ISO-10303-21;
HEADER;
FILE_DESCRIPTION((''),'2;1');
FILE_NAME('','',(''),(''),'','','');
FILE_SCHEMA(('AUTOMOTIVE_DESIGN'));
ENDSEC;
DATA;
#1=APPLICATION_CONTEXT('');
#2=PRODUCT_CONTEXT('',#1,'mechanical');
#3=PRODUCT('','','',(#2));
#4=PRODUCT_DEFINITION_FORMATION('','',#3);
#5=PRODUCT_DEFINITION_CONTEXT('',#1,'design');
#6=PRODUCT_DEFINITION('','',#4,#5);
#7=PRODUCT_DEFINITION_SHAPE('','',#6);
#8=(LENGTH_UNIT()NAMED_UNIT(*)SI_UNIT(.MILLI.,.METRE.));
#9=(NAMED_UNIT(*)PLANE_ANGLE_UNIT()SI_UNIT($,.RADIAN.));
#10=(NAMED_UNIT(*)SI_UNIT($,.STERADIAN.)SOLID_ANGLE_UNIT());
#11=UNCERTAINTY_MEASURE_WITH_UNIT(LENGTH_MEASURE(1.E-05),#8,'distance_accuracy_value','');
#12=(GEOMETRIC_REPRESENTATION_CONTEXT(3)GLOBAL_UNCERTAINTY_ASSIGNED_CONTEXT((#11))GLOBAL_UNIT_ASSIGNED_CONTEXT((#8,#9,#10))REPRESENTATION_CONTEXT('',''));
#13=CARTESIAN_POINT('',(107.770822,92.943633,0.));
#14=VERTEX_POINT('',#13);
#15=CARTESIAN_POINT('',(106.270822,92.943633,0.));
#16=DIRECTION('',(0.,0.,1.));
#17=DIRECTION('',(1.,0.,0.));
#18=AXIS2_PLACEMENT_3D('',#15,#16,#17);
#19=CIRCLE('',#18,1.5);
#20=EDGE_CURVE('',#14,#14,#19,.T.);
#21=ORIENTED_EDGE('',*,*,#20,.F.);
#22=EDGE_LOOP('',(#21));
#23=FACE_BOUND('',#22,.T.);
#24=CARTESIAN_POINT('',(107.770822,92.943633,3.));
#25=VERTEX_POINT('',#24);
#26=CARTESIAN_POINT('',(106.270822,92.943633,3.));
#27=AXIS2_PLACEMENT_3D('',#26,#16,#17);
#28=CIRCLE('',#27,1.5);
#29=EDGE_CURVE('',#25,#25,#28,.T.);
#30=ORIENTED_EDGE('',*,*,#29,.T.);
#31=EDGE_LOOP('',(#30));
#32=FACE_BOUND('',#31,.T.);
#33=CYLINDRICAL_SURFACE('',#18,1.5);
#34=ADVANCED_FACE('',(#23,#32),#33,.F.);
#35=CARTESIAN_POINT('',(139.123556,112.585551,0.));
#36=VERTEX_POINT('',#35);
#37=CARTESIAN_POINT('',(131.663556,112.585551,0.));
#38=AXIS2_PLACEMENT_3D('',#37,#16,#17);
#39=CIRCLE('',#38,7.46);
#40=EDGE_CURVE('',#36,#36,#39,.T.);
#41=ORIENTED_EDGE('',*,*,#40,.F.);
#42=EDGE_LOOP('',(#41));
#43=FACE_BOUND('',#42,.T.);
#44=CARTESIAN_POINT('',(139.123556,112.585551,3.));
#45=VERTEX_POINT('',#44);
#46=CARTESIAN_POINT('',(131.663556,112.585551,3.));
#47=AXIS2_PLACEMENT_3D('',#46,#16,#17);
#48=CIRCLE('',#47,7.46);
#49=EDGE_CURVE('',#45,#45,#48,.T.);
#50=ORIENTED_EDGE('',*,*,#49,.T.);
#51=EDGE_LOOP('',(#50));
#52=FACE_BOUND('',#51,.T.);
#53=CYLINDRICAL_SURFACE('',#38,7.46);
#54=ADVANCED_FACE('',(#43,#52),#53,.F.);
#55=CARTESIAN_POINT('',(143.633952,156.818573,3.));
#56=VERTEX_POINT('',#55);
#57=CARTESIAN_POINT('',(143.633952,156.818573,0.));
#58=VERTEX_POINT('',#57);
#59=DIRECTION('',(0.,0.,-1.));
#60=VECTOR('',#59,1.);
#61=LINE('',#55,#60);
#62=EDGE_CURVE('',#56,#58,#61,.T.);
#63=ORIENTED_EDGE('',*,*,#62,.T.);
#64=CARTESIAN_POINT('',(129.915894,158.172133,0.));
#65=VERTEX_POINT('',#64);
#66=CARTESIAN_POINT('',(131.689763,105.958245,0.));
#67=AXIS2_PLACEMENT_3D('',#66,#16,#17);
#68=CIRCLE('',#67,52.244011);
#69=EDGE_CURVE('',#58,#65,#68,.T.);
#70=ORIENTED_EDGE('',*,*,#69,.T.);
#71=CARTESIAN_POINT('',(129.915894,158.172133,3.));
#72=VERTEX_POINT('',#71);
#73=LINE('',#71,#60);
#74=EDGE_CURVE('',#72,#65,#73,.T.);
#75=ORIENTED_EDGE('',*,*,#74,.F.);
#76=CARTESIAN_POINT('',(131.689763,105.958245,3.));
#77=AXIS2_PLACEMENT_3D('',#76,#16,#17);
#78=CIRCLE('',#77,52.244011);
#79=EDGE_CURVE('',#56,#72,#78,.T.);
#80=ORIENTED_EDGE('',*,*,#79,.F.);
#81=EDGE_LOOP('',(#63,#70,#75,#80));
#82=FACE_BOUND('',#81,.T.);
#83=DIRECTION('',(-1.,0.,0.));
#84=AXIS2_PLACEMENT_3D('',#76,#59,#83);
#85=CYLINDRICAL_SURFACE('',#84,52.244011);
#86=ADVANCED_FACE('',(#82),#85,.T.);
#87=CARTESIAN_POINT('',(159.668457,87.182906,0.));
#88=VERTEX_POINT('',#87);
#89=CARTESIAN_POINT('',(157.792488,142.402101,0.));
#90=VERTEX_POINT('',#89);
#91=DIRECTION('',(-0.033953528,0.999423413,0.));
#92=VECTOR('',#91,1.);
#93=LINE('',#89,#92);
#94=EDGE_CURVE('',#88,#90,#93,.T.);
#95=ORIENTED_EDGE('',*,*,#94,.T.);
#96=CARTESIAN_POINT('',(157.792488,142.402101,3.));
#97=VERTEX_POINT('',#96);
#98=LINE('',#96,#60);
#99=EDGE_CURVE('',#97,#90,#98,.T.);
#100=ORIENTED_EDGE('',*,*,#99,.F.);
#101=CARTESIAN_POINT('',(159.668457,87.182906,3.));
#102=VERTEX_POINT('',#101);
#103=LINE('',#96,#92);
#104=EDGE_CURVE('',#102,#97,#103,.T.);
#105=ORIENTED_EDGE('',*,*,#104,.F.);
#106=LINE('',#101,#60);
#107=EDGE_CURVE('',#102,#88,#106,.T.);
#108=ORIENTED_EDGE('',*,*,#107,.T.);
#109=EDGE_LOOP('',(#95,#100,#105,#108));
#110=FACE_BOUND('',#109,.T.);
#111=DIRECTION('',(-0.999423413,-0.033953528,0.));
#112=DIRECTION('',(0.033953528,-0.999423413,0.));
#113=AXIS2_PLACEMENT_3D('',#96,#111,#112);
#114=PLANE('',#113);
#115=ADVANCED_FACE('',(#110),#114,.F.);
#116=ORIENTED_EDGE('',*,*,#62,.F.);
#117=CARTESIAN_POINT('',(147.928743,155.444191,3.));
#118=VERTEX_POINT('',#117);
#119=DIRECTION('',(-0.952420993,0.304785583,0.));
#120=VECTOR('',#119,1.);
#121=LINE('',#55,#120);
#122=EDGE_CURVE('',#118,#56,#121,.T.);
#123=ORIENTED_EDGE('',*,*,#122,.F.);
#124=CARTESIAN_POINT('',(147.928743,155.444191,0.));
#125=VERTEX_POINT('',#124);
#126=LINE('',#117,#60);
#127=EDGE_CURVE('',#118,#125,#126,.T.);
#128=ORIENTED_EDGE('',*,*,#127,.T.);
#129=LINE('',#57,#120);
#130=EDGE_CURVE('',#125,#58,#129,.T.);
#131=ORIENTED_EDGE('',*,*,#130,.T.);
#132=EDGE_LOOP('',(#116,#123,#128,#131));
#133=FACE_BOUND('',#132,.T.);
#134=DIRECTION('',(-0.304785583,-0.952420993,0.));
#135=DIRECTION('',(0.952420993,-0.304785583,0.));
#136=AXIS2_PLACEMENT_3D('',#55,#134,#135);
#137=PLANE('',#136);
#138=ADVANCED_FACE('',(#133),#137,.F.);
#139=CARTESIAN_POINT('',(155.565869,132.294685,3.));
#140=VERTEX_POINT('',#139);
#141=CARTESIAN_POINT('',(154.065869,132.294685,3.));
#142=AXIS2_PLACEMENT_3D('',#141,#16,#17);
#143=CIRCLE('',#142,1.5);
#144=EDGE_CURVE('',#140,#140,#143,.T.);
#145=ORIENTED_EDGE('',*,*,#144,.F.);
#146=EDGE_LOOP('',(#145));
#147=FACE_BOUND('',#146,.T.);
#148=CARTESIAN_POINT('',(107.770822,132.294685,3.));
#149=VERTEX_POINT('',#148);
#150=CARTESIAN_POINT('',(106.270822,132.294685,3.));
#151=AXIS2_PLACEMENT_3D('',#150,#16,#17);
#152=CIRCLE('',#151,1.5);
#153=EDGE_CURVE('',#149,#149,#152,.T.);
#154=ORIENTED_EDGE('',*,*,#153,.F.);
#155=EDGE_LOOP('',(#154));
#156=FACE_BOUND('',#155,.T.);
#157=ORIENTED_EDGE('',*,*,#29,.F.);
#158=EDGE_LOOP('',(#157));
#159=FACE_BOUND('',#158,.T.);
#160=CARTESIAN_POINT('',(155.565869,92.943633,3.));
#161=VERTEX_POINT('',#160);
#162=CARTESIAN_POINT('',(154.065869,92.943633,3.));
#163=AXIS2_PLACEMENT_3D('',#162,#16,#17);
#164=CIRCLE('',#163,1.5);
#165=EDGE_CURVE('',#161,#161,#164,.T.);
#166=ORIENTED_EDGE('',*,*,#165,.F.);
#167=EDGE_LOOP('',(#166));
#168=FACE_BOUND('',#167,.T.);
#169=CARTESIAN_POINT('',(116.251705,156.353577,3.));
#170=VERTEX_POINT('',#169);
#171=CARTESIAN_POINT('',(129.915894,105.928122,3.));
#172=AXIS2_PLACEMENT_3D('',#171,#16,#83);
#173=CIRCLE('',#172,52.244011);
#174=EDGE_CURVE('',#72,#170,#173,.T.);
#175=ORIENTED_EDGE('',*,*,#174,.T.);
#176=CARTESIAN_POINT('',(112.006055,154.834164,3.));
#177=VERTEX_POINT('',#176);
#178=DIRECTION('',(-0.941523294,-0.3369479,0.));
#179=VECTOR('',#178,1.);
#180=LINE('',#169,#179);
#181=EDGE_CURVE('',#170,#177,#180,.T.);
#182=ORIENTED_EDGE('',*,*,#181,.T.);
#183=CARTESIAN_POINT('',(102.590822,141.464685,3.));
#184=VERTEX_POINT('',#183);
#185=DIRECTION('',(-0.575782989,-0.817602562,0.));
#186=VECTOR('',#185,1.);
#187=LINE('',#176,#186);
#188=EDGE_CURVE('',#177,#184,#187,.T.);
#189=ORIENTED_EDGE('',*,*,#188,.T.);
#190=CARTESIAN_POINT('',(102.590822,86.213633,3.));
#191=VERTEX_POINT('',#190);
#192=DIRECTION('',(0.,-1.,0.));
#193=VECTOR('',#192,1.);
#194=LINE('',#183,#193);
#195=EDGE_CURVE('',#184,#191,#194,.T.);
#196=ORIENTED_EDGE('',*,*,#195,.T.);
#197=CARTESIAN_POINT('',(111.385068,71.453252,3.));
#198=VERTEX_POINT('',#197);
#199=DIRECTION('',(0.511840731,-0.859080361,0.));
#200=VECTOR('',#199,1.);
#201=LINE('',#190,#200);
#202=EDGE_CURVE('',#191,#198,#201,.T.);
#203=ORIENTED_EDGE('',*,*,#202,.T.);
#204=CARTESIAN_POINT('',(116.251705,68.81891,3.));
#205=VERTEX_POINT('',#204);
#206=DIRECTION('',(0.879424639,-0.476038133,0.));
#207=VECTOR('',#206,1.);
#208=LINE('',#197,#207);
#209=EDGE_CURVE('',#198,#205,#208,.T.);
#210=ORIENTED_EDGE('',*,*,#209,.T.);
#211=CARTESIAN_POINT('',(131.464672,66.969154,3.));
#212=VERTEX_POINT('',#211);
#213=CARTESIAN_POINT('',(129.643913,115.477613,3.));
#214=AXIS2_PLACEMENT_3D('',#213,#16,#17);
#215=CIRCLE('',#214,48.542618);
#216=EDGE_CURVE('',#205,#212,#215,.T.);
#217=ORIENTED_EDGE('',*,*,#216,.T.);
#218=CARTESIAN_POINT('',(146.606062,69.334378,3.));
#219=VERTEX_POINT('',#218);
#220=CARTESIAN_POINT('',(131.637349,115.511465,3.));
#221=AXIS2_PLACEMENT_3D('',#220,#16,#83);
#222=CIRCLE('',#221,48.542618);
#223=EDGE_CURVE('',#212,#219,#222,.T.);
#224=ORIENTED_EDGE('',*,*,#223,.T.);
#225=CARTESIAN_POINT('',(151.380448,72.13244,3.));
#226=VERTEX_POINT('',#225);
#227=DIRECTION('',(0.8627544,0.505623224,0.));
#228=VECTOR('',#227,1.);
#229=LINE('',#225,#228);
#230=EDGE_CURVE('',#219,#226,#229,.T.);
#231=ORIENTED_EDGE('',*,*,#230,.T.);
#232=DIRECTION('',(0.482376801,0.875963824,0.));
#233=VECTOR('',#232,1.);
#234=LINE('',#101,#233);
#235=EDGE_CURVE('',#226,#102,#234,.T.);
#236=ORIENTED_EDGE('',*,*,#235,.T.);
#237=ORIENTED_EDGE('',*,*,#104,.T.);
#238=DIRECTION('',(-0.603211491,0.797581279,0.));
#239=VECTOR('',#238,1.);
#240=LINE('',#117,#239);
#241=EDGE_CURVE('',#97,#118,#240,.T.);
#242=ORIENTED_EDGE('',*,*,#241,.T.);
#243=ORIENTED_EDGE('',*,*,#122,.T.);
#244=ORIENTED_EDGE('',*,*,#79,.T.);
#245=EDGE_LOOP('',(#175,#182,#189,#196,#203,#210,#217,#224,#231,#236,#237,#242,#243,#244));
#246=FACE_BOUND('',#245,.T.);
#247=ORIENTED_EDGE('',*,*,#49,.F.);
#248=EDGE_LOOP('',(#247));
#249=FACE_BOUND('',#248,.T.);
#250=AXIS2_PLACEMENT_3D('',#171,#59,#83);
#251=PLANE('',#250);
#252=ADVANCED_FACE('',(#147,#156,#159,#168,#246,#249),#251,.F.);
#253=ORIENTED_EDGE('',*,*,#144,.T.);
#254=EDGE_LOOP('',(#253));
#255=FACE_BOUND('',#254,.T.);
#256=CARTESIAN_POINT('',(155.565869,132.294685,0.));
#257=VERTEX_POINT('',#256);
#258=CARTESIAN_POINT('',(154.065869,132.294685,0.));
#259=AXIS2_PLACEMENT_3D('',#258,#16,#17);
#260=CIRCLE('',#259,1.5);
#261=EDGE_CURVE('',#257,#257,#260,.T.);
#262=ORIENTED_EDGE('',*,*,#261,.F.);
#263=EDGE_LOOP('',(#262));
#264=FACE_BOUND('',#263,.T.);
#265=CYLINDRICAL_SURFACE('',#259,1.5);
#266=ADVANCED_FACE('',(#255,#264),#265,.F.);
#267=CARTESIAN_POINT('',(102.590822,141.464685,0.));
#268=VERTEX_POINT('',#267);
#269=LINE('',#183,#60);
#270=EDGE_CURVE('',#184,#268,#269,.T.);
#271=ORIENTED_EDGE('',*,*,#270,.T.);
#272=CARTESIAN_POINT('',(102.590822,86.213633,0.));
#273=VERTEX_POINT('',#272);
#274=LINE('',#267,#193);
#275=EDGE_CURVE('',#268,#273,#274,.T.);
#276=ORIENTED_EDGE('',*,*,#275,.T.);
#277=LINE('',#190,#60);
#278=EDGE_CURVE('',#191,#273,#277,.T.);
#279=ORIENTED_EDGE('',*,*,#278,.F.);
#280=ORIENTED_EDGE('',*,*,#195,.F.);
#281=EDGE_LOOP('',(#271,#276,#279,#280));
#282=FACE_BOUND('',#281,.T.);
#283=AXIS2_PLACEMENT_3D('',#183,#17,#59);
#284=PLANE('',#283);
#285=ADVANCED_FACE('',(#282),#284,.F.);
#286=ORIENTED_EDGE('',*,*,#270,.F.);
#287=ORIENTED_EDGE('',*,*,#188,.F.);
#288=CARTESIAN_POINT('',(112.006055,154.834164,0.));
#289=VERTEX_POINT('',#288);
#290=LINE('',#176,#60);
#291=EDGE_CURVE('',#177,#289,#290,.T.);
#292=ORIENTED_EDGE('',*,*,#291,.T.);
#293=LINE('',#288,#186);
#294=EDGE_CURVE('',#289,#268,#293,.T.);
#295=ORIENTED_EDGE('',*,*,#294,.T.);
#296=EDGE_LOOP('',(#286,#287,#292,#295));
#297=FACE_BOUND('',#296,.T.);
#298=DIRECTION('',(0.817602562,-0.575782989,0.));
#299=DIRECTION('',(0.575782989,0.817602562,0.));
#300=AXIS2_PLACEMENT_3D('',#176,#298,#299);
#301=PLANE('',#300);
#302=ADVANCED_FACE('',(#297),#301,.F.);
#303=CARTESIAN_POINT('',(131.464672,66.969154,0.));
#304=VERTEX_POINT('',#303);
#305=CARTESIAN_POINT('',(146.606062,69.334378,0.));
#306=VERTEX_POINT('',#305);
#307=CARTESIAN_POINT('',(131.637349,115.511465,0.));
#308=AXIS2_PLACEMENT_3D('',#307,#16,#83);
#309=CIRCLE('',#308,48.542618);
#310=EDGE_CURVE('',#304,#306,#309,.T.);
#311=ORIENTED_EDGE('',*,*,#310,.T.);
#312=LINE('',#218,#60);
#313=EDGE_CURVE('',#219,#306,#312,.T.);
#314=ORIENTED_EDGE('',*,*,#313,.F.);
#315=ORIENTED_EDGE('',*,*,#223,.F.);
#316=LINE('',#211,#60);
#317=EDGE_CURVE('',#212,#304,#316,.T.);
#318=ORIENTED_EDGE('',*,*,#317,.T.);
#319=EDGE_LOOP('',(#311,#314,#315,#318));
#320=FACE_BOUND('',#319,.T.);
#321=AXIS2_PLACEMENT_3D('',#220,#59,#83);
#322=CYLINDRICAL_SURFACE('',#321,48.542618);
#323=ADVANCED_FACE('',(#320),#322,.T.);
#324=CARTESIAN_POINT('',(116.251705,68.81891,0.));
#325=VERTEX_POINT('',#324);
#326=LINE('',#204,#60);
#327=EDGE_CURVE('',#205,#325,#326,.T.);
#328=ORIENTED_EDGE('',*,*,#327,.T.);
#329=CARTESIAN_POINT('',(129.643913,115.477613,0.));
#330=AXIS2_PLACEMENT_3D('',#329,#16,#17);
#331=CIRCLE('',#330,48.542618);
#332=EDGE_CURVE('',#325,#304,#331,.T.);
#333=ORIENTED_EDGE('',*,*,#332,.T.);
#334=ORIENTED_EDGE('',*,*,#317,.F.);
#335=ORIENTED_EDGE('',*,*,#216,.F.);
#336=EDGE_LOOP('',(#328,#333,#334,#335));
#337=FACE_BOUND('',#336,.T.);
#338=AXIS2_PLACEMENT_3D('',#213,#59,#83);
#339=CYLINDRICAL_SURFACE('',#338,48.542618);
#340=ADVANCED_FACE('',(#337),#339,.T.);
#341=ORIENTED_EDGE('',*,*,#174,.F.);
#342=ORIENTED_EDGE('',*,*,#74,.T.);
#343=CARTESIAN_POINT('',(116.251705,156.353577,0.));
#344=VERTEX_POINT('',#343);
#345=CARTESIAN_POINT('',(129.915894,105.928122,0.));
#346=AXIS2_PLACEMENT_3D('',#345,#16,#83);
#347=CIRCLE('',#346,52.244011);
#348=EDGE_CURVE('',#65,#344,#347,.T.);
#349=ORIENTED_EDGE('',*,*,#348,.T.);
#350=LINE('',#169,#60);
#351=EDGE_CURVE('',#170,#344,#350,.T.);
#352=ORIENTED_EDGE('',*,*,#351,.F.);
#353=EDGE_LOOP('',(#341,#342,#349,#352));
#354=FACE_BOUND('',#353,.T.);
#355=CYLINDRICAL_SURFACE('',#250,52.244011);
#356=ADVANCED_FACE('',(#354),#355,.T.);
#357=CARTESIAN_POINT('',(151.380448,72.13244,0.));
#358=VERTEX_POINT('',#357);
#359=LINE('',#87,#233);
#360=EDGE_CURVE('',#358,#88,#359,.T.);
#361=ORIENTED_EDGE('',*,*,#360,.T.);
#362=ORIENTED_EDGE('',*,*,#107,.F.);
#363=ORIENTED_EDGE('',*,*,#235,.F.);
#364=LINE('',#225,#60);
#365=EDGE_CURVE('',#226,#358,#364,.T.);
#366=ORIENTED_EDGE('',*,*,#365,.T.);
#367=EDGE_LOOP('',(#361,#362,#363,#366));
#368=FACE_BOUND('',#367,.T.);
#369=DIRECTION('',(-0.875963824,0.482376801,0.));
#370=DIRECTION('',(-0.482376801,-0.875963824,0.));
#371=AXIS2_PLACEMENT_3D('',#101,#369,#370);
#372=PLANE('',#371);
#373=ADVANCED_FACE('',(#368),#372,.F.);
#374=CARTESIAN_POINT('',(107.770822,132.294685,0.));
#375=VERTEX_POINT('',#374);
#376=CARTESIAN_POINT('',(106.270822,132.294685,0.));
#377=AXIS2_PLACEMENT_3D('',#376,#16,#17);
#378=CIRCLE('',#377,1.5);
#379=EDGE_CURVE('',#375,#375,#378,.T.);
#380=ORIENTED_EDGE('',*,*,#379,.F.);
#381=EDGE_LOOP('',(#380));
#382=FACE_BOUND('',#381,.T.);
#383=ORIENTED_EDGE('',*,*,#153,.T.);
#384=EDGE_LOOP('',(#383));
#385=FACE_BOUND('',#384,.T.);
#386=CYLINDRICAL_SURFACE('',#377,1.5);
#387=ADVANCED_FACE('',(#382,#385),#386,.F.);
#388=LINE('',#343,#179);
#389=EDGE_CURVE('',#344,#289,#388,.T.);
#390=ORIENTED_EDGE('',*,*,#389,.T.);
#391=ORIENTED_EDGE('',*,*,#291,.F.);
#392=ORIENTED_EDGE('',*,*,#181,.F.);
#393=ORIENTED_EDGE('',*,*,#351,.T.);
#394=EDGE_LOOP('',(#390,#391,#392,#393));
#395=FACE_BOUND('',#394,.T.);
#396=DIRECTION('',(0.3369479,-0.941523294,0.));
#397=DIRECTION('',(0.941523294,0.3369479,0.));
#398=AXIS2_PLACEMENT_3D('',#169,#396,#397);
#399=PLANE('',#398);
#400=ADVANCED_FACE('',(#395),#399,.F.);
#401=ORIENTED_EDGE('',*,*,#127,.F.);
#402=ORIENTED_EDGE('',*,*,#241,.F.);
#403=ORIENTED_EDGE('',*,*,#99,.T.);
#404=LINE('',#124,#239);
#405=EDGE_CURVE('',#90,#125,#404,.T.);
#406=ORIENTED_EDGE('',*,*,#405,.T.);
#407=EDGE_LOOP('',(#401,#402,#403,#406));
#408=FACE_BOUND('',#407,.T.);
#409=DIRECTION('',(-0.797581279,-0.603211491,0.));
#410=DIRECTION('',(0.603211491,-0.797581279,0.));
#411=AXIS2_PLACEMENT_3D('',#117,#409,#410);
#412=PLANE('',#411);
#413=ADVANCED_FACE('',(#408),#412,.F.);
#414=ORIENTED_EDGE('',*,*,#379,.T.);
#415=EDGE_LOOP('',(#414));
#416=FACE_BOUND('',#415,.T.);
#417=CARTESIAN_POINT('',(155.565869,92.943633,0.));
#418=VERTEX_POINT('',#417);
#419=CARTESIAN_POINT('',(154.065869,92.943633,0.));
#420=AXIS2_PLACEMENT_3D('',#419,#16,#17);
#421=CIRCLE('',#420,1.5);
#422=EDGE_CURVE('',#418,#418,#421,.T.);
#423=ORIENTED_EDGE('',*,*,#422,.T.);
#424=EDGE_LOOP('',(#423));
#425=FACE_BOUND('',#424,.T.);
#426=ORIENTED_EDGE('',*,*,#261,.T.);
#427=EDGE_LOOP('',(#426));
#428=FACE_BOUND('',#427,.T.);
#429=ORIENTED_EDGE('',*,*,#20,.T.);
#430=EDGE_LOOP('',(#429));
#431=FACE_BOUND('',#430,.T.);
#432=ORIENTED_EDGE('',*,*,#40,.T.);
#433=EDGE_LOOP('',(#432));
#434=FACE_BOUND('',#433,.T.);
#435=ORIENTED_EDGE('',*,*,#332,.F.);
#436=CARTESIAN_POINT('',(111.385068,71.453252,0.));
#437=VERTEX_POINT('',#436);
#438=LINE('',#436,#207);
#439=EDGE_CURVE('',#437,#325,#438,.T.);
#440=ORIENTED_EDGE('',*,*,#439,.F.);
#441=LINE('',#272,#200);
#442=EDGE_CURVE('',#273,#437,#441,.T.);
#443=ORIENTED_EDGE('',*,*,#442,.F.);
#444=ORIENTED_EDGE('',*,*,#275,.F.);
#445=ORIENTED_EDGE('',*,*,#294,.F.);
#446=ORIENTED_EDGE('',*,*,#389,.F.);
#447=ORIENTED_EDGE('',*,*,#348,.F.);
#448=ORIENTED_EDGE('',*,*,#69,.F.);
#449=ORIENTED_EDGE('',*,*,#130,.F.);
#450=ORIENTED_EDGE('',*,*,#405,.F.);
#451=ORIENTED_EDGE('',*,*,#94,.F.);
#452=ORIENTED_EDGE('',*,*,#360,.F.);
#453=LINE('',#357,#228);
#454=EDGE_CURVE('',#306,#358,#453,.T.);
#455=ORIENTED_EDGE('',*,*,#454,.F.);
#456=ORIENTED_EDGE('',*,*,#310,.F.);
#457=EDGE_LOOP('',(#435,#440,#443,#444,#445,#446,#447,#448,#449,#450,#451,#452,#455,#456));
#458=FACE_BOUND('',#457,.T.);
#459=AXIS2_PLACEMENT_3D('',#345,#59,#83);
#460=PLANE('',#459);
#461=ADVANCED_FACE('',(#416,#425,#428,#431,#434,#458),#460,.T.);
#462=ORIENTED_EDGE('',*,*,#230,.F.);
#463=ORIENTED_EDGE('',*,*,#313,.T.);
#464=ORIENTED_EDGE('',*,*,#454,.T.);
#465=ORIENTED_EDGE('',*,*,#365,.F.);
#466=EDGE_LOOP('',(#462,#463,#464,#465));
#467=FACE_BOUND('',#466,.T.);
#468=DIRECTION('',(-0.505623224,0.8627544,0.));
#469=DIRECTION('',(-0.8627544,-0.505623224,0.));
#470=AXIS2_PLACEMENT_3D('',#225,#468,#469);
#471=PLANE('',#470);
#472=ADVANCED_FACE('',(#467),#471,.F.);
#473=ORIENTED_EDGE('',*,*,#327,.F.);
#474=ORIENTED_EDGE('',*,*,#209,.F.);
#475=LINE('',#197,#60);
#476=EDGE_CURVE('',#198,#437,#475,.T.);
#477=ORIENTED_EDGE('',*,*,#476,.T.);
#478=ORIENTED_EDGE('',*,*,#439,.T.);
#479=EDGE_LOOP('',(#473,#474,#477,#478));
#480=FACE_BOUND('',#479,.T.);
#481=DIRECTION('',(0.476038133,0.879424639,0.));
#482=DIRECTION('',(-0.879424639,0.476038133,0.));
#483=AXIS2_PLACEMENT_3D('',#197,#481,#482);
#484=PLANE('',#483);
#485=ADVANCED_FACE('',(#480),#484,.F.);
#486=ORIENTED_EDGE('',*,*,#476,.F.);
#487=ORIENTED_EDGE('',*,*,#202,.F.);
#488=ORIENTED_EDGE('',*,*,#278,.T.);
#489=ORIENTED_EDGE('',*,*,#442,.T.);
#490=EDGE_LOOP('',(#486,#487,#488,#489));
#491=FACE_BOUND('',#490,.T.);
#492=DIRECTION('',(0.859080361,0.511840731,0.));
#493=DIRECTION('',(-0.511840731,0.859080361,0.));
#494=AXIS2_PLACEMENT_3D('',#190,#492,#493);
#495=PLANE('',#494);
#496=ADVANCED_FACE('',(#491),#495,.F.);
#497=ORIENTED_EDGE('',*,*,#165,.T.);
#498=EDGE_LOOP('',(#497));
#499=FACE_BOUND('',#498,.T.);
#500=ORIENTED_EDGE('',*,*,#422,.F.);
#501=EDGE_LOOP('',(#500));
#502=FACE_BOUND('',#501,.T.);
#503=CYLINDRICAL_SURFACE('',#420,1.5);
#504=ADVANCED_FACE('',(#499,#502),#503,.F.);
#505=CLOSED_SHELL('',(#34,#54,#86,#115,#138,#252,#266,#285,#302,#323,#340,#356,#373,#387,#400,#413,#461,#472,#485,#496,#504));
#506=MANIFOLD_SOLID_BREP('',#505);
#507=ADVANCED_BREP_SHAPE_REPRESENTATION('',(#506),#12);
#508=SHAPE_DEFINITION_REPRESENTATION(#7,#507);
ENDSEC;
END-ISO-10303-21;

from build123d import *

# Parameters (mm, degrees)
BOSS_EXTRUDE2_DEPTH = 3
SKETCH3_R           = 1.5
SKETCH3_R_2         = 7.46
CUT_EXTRUDE1_DEPTH  = 3


with BuildPart() as part:
    # Sketch2 → Boss-Extrude2 (new body)
    with BuildSketch(Plane.XY):
        with BuildLine():
            Line((116.251704746, 156.353577499), (112.006054704, 154.834164358))
            Line((112.006054704, 154.834164358), (102.590821765, 141.464685362))
            Line((102.590821765, 141.464685362), (102.590821765, 86.213632981))
            Line((102.590821765, 86.213632981), (111.385068158, 71.453251655))
            Line((111.385068158, 71.453251655), (116.251704746, 68.818910417))
            ThreePointArc((116.251704746, 68.818910417), (123.784731531, 67.289899242), (131.464672299, 66.969153974))
            ThreePointArc((131.464672299, 66.969153974), (139.129294477, 67.550475385), (146.606062492, 69.334377784))
            Line((146.606062492, 69.334377784), (151.380447861, 72.132439574))
            Line((151.380447861, 72.132439574), (159.66845659, 87.18290594))
            Line((159.66845659, 87.18290594), (157.79248846, 142.402101269))
            Line((157.79248846, 142.402101269), (147.928743251, 155.444191223))
            Line((147.928743251, 155.444191223), (143.63395176, 156.818573493))
            ThreePointArc((143.63395176, 156.818573493), (136.819761385, 157.949780649), (129.915894372, 158.172132571))
            ThreePointArc((129.915894372, 158.172132571), (123.023557673, 157.715498216), (116.251704746, 156.353577499))
        make_face()
    extrude(amount=BOSS_EXTRUDE2_DEPTH)

    # Sketch3 → Cut-Extrude1 (cut)
    with BuildSketch(Plane.XY.offset(3)):
        with Locations((106.270821765, 132.294685362)):
            Circle(SKETCH3_R)
        with Locations((106.270821765, 92.943632981)):
            Circle(SKETCH3_R)
        with Locations((154.065868873, 132.294685362)):
            Circle(SKETCH3_R)
        with Locations((154.065868873, 92.943632981)):
            Circle(SKETCH3_R)
        with Locations((131.66355574, 112.585551326)):
            Circle(SKETCH3_R_2)
    extrude(amount=-CUT_EXTRUDE1_DEPTH, mode=Mode.SUBTRACT)


solid = part.part
